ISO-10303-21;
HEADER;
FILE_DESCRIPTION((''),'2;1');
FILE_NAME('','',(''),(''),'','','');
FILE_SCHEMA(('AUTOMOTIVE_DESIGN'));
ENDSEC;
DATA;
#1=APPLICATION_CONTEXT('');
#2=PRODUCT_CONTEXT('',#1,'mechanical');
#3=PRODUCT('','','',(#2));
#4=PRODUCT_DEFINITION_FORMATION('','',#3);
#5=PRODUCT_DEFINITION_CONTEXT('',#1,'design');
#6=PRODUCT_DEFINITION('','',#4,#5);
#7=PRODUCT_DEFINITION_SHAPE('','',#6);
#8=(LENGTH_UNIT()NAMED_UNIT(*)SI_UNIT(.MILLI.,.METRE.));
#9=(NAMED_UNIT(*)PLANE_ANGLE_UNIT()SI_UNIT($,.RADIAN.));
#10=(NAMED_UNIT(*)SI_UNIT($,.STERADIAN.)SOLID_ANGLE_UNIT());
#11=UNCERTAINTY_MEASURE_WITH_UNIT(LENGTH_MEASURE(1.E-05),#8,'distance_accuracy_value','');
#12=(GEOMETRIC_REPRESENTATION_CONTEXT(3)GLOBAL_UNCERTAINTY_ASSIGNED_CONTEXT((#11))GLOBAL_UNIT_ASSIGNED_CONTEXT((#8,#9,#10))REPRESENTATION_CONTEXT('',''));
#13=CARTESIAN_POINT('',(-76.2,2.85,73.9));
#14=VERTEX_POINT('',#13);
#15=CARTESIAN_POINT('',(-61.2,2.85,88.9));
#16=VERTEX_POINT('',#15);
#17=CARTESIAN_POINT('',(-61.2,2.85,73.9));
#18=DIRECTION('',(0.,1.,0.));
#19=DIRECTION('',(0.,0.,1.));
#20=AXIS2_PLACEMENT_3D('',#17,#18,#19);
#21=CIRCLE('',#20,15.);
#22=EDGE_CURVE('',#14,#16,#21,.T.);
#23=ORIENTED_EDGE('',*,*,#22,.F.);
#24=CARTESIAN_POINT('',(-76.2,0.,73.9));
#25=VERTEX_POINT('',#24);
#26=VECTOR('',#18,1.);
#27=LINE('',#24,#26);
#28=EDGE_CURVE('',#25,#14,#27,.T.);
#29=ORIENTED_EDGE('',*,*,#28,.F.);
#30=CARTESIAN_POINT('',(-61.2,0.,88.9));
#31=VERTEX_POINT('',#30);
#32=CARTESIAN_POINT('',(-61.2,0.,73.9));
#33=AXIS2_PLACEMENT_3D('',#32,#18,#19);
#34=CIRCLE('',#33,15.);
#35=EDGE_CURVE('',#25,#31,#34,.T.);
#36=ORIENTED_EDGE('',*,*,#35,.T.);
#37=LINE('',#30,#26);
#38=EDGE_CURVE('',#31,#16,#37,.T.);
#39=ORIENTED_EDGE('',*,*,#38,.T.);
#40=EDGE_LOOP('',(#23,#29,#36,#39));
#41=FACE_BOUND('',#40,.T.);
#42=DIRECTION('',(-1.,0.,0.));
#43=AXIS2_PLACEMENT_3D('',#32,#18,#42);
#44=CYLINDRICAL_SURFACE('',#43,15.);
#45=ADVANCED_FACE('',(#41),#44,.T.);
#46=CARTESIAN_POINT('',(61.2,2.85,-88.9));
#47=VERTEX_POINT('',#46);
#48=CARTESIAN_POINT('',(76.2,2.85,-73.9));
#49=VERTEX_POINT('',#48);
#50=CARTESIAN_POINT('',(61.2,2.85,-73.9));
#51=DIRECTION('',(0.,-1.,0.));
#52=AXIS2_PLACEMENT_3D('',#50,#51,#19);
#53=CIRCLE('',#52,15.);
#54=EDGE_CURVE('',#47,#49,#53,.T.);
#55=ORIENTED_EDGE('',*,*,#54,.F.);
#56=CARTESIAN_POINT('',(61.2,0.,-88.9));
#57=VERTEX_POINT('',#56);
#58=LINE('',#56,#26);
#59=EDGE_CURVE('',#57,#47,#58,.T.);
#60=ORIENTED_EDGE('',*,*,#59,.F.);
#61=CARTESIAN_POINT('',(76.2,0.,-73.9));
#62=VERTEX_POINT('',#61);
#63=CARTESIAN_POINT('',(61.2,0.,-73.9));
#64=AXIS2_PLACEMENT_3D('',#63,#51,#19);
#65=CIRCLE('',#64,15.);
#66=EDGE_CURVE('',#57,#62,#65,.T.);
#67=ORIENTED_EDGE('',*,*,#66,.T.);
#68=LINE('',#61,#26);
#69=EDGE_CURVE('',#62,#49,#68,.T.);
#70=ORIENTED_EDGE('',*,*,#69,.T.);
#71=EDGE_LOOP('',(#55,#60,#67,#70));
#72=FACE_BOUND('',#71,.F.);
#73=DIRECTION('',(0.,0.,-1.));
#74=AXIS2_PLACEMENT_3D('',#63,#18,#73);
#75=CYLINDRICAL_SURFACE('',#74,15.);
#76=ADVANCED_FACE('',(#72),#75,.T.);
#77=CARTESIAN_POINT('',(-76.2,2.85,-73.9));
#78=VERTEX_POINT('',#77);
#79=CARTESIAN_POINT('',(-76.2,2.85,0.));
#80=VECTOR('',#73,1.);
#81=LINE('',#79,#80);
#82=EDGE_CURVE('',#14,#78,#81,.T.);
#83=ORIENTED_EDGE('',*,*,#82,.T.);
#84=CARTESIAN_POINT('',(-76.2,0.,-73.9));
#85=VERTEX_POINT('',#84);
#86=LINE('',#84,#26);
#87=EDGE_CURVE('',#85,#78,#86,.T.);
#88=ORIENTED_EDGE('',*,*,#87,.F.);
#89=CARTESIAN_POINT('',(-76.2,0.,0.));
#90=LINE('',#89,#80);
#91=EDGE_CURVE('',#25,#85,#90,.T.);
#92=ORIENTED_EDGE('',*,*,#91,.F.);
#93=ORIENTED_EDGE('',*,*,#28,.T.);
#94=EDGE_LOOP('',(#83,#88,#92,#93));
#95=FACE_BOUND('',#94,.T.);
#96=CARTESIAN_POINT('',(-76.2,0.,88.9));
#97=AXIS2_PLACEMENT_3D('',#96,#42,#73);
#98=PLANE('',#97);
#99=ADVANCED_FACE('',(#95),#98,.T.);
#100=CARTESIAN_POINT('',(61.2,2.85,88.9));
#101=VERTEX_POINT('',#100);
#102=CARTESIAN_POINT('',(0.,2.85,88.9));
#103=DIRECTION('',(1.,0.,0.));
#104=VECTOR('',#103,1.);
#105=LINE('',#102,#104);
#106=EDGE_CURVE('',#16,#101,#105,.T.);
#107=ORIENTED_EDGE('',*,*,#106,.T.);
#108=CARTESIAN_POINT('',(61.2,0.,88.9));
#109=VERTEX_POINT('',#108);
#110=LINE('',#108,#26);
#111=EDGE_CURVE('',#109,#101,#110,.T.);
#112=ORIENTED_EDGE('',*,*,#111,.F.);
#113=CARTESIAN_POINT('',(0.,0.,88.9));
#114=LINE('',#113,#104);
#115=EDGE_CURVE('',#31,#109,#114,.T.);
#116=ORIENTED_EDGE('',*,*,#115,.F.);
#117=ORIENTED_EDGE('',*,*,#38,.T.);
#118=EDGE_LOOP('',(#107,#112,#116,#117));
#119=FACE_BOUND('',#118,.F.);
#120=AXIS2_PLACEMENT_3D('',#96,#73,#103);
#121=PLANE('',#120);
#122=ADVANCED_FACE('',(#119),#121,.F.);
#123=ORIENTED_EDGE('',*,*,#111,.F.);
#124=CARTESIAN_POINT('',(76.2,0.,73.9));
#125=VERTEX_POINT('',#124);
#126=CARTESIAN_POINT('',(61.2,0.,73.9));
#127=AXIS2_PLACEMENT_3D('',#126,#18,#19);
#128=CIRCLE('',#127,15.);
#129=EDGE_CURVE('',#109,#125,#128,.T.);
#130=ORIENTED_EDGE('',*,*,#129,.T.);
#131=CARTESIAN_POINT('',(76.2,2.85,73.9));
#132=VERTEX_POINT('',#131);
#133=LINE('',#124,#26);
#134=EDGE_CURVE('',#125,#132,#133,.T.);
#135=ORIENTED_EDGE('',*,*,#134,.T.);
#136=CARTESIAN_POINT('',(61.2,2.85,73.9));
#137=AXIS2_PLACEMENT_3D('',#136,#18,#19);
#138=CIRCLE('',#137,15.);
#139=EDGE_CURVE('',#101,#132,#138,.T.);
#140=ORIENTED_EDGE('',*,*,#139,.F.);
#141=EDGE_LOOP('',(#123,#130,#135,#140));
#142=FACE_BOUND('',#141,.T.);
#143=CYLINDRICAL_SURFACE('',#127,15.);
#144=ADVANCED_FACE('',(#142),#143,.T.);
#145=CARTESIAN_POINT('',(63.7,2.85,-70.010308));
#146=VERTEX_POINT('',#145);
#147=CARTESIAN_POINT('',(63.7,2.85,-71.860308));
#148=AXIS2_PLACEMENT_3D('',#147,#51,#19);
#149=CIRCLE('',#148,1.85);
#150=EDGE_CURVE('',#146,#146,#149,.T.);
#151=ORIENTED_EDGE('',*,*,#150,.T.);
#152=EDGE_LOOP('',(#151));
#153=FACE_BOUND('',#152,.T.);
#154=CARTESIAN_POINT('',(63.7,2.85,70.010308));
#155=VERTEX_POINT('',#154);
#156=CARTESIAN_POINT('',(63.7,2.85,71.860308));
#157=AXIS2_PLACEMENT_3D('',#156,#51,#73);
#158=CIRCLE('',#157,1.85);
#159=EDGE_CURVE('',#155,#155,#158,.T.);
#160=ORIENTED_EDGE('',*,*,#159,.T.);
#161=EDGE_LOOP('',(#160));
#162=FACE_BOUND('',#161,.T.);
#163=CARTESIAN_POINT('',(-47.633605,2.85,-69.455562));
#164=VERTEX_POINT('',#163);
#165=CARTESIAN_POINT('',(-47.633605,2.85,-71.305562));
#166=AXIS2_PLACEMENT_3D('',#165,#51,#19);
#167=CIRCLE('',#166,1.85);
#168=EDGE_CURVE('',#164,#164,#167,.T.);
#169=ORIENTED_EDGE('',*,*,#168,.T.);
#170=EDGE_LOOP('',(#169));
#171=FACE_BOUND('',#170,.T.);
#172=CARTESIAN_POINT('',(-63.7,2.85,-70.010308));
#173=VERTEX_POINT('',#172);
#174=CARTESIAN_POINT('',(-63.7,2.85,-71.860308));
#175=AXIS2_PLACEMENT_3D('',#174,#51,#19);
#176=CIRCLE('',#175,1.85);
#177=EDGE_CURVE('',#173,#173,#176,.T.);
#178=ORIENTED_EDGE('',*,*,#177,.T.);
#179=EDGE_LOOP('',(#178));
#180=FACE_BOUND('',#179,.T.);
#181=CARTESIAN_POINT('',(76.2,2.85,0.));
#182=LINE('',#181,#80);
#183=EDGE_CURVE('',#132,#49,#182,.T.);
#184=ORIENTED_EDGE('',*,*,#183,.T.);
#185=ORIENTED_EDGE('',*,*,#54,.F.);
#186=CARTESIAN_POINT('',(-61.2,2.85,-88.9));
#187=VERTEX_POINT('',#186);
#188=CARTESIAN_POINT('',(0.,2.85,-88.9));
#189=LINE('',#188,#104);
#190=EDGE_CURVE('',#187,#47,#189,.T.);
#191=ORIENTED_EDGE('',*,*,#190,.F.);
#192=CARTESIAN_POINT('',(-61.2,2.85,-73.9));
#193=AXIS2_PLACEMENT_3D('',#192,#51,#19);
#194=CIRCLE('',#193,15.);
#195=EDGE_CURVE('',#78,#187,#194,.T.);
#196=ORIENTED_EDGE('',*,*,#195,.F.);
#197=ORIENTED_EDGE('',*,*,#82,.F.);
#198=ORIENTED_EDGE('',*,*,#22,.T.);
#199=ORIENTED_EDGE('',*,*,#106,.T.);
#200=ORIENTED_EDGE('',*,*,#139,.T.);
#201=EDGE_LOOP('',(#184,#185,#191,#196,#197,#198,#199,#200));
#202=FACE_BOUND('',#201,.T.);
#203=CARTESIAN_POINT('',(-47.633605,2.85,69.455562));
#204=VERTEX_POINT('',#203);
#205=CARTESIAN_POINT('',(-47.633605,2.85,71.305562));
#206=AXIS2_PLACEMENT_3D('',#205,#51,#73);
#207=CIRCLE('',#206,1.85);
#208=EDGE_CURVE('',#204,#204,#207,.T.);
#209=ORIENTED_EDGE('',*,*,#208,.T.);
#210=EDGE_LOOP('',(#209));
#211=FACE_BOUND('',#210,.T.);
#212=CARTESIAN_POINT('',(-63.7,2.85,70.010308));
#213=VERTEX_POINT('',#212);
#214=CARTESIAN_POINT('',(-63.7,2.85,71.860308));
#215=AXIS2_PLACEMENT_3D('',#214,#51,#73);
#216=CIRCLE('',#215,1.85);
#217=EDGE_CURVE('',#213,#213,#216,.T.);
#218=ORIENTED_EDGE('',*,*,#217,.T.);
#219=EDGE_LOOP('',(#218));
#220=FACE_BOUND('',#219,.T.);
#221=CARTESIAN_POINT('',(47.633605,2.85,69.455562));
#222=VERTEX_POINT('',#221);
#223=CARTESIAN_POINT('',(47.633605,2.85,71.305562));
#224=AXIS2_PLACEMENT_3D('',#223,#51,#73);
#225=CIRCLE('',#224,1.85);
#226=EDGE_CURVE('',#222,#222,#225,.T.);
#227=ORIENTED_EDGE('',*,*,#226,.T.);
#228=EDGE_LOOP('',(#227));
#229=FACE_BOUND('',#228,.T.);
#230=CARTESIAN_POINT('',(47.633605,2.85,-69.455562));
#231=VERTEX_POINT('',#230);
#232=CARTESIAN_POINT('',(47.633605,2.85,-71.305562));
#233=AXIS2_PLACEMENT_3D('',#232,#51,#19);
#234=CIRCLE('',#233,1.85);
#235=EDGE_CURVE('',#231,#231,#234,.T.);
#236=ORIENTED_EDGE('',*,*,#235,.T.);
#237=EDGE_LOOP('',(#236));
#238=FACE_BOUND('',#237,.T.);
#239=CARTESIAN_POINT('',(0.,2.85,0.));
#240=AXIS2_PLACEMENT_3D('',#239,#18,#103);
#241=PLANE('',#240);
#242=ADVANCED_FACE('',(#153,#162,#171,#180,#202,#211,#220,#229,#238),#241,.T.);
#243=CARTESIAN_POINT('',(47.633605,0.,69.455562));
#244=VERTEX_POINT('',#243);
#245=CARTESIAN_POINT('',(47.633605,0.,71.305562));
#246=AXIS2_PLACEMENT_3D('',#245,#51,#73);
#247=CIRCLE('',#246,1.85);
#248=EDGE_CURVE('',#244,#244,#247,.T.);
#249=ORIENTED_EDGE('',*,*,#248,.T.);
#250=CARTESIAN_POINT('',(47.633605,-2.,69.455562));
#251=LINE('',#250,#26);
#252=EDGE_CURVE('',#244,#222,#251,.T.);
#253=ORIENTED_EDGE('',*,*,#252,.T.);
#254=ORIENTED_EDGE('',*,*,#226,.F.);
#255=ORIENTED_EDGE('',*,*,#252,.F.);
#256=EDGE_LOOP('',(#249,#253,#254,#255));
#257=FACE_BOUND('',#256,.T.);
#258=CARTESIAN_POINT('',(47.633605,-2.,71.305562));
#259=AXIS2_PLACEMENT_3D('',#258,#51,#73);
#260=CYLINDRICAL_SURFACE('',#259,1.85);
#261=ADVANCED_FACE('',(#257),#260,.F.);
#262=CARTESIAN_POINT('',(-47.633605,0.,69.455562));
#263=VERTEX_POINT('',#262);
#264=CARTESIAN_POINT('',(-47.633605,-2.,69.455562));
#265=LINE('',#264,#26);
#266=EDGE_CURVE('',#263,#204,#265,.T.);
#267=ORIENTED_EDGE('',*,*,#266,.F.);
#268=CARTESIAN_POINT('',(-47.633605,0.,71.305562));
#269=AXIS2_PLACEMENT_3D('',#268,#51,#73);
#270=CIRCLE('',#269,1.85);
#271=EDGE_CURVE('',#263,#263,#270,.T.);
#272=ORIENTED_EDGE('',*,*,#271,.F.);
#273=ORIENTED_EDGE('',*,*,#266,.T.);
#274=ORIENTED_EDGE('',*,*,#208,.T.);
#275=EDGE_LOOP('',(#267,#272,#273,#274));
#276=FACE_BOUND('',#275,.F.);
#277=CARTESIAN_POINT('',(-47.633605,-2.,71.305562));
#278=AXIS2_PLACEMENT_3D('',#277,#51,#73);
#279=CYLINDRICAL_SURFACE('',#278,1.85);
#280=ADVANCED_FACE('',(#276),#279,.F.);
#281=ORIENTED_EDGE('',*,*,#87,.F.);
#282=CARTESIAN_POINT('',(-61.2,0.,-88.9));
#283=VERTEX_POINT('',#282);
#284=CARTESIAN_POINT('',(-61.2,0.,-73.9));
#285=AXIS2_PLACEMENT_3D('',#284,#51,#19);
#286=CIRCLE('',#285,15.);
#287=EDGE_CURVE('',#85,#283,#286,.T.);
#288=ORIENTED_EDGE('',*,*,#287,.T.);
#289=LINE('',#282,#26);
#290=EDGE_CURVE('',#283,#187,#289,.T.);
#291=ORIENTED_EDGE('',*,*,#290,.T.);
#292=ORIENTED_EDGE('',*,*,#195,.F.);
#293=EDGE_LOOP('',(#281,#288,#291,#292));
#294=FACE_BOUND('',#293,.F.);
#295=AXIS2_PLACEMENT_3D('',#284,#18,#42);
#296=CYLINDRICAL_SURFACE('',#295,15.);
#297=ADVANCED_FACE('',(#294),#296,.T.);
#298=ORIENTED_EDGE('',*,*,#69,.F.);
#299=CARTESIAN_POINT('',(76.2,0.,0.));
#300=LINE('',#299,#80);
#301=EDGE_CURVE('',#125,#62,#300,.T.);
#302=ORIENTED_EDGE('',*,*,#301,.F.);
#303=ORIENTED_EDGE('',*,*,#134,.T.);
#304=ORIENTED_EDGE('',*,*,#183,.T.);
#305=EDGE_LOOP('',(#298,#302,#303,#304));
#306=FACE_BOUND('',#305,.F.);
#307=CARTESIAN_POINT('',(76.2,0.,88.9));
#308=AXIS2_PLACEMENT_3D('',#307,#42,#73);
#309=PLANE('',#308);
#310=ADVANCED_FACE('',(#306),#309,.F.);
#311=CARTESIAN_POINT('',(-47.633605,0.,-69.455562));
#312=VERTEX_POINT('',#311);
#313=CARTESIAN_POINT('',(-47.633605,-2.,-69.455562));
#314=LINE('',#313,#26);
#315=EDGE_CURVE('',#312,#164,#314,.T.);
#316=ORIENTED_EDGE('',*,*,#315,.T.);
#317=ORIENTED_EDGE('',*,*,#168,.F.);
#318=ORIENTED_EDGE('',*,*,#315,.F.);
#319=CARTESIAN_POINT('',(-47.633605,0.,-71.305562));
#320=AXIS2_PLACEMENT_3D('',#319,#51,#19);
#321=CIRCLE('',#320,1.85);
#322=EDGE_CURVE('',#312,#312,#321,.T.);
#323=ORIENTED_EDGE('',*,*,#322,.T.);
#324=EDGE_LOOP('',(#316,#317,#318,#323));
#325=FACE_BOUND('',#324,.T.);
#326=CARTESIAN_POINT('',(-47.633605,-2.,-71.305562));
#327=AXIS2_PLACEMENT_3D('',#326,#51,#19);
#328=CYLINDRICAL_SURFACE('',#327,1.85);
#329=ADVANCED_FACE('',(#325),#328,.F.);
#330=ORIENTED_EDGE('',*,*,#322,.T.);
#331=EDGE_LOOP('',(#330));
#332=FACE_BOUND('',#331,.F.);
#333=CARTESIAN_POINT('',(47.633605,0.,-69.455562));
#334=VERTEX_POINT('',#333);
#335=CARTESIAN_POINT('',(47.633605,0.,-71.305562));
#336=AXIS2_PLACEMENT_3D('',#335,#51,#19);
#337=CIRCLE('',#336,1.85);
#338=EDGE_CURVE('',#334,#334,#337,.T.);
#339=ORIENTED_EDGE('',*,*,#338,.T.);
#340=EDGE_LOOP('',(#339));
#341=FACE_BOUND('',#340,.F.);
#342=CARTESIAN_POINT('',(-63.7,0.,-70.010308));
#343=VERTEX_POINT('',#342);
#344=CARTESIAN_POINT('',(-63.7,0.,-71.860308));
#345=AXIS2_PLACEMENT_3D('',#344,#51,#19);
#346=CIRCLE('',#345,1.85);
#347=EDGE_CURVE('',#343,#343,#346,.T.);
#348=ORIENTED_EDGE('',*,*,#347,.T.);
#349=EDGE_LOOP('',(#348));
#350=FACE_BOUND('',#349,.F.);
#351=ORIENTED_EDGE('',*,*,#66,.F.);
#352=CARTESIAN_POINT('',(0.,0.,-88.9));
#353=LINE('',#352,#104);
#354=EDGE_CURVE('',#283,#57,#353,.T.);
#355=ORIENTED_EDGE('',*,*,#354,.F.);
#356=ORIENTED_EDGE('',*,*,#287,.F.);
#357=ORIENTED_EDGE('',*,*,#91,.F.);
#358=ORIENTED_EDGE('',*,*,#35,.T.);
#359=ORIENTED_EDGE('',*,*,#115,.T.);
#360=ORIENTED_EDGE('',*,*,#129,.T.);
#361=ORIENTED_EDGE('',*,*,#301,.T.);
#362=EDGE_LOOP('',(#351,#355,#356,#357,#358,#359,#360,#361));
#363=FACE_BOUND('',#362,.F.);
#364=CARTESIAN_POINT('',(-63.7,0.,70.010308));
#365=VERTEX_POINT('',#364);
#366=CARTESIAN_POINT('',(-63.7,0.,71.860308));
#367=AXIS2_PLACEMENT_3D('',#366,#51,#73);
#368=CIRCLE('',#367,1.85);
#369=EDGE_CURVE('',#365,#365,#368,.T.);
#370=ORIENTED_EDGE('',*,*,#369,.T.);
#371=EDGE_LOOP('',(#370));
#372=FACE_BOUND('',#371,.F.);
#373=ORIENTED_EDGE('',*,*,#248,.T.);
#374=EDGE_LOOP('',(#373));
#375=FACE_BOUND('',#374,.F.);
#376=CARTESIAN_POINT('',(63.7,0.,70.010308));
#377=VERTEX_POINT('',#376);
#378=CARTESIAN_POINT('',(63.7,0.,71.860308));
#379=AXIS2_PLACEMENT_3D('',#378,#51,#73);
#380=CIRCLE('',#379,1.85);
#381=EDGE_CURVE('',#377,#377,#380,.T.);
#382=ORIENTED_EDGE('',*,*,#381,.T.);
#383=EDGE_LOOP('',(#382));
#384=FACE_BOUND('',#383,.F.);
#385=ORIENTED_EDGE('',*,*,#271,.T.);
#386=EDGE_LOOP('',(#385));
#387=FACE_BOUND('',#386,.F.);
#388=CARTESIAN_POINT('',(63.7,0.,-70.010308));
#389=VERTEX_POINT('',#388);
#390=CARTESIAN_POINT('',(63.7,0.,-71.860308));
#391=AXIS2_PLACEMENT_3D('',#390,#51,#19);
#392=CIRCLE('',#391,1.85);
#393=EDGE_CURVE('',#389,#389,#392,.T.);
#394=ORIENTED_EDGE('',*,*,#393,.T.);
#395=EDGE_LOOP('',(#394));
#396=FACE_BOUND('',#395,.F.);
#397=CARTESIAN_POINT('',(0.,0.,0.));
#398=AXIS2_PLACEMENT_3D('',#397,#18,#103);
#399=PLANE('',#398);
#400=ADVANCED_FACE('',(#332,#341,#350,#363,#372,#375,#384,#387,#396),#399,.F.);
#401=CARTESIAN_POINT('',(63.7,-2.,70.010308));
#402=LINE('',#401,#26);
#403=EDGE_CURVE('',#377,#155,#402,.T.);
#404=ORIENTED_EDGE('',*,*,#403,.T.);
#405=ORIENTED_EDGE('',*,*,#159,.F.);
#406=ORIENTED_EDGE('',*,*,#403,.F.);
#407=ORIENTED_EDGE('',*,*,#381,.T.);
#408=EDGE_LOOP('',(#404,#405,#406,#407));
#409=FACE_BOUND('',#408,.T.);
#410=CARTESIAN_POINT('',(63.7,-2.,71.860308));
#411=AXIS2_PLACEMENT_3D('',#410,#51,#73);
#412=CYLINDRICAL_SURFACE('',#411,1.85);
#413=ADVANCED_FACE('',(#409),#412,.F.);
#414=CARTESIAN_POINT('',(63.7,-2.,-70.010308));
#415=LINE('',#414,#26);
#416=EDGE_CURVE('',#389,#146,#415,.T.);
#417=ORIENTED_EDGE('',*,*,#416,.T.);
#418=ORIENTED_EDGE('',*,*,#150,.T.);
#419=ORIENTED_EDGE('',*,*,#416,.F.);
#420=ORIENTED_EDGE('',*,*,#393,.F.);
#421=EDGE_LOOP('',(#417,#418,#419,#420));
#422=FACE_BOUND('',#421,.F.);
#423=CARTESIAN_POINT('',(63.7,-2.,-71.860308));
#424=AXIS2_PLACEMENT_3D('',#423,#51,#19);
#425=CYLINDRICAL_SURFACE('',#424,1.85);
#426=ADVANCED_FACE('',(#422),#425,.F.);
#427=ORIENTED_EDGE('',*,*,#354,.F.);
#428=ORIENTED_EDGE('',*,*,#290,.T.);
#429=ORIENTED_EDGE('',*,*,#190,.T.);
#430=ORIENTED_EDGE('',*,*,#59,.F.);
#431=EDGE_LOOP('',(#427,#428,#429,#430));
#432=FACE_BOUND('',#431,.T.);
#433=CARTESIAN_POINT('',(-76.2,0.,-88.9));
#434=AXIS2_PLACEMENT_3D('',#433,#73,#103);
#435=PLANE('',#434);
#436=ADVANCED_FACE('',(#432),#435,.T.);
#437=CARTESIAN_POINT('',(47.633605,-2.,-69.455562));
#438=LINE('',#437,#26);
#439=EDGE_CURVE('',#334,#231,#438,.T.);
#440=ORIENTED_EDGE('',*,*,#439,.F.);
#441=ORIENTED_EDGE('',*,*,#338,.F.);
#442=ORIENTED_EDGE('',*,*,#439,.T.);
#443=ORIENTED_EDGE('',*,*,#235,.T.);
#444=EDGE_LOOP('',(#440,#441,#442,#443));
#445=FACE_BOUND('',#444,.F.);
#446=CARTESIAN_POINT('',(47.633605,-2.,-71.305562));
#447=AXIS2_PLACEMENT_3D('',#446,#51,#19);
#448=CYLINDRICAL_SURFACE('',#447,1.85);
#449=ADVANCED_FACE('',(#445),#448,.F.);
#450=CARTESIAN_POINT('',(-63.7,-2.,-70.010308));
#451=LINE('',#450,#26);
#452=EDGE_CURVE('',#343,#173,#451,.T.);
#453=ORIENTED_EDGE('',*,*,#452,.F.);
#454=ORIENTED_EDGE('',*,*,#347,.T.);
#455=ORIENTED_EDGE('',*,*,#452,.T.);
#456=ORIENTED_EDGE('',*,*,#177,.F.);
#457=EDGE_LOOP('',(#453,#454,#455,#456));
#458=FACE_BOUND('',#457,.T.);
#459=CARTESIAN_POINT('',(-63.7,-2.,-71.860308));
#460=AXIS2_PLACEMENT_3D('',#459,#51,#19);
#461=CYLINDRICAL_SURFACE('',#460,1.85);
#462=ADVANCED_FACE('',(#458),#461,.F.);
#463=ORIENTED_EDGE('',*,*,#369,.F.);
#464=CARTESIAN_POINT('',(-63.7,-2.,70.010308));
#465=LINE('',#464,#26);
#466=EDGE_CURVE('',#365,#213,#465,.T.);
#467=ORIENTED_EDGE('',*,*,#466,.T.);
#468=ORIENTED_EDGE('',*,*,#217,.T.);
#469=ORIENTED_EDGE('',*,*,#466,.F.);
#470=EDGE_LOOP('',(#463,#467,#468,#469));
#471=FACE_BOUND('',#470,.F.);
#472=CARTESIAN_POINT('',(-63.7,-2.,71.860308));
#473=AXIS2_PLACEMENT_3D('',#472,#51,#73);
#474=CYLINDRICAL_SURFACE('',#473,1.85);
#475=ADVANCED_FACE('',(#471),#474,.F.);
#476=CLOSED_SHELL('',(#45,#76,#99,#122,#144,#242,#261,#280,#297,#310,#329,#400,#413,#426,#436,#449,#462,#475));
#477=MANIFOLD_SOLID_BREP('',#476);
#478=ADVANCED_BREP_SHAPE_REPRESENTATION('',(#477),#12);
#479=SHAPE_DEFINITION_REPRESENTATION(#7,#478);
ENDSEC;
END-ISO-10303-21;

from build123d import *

# Parameters (mm, degrees)
SKETCH2_W               = 152.4
SKETCH2_H               = 177.8
BOSS_EXTRUDE2_DEPTH     = 2.85
SKETCH3_R               = 1.85
CUT_EXTRUDE1_DEPTH      = 118.188619328
MIRROR2_COPY_1_SKETCH_R = 1.85
MIRROR2_COPY_1_DEPTH    = 118.188619328
FILLET1_R               = 15


with BuildPart() as part:
    # Sketch2 → Boss-Extrude2 (new body)
    with BuildSketch(Plane(origin=(0, 0, 0), x_dir=(1, 0, 0), z_dir=(0, 1, 0))):
        Rectangle(SKETCH2_W, SKETCH2_H)
    extrude(amount=BOSS_EXTRUDE2_DEPTH)

    # Sketch3 → Cut-Extrude1 (cut, through all)
    with BuildSketch(Plane.XZ.offset(2)):
        with Locations(Location((-63.7, 71.86030802, 0), (0, 0, 270))):
            Circle(SKETCH3_R)
        with Locations(Location((-47.633605072, 71.30556155, 0), (0, 0, 270))):
            Circle(SKETCH3_R)
    cut_extrude1 = extrude(amount=-CUT_EXTRUDE1_DEPTH, mode=Mode.SUBTRACT)

    # Mirror1: Cut-Extrude1 across plane
    add(cut_extrude1.mirror(Plane.XY), mode=Mode.SUBTRACT)

    # Mirror2: Cut-Extrude1 across plane
    add(cut_extrude1.mirror(Plane(origin=(0, 0, 0), x_dir=(0, 0, 1), z_dir=(1, 0, 0))), mode=Mode.SUBTRACT)

    # Mirror2 copy 1 sketch → Mirror2 copy 1 (cut, through all)
    with BuildSketch(Plane(origin=(0, -2, 0), x_dir=(-1, 0, 0), z_dir=(0, -1, 0))):
        with Locations(Location((-63.7, 71.86030802, 0), (0, 0, 270))):
            Circle(MIRROR2_COPY_1_SKETCH_R)
        with Locations(Location((-47.633605072, 71.30556155, 0), (0, 0, 270))):
            Circle(MIRROR2_COPY_1_SKETCH_R)
    extrude(amount=-MIRROR2_COPY_1_DEPTH, mode=Mode.SUBTRACT)

    # Fillet1
    fillet1_edges = [part.edges().sort_by_distance(p)[0] for p in [
        (76.2, 1.425, 88.9),
        (-76.2, 1.425, 88.9),
        (-76.2, 1.425, -88.9),
        (76.2, 1.425, -88.9),
    ]]
    fillet(fillet1_edges, radius=FILLET1_R)


solid = part.part
